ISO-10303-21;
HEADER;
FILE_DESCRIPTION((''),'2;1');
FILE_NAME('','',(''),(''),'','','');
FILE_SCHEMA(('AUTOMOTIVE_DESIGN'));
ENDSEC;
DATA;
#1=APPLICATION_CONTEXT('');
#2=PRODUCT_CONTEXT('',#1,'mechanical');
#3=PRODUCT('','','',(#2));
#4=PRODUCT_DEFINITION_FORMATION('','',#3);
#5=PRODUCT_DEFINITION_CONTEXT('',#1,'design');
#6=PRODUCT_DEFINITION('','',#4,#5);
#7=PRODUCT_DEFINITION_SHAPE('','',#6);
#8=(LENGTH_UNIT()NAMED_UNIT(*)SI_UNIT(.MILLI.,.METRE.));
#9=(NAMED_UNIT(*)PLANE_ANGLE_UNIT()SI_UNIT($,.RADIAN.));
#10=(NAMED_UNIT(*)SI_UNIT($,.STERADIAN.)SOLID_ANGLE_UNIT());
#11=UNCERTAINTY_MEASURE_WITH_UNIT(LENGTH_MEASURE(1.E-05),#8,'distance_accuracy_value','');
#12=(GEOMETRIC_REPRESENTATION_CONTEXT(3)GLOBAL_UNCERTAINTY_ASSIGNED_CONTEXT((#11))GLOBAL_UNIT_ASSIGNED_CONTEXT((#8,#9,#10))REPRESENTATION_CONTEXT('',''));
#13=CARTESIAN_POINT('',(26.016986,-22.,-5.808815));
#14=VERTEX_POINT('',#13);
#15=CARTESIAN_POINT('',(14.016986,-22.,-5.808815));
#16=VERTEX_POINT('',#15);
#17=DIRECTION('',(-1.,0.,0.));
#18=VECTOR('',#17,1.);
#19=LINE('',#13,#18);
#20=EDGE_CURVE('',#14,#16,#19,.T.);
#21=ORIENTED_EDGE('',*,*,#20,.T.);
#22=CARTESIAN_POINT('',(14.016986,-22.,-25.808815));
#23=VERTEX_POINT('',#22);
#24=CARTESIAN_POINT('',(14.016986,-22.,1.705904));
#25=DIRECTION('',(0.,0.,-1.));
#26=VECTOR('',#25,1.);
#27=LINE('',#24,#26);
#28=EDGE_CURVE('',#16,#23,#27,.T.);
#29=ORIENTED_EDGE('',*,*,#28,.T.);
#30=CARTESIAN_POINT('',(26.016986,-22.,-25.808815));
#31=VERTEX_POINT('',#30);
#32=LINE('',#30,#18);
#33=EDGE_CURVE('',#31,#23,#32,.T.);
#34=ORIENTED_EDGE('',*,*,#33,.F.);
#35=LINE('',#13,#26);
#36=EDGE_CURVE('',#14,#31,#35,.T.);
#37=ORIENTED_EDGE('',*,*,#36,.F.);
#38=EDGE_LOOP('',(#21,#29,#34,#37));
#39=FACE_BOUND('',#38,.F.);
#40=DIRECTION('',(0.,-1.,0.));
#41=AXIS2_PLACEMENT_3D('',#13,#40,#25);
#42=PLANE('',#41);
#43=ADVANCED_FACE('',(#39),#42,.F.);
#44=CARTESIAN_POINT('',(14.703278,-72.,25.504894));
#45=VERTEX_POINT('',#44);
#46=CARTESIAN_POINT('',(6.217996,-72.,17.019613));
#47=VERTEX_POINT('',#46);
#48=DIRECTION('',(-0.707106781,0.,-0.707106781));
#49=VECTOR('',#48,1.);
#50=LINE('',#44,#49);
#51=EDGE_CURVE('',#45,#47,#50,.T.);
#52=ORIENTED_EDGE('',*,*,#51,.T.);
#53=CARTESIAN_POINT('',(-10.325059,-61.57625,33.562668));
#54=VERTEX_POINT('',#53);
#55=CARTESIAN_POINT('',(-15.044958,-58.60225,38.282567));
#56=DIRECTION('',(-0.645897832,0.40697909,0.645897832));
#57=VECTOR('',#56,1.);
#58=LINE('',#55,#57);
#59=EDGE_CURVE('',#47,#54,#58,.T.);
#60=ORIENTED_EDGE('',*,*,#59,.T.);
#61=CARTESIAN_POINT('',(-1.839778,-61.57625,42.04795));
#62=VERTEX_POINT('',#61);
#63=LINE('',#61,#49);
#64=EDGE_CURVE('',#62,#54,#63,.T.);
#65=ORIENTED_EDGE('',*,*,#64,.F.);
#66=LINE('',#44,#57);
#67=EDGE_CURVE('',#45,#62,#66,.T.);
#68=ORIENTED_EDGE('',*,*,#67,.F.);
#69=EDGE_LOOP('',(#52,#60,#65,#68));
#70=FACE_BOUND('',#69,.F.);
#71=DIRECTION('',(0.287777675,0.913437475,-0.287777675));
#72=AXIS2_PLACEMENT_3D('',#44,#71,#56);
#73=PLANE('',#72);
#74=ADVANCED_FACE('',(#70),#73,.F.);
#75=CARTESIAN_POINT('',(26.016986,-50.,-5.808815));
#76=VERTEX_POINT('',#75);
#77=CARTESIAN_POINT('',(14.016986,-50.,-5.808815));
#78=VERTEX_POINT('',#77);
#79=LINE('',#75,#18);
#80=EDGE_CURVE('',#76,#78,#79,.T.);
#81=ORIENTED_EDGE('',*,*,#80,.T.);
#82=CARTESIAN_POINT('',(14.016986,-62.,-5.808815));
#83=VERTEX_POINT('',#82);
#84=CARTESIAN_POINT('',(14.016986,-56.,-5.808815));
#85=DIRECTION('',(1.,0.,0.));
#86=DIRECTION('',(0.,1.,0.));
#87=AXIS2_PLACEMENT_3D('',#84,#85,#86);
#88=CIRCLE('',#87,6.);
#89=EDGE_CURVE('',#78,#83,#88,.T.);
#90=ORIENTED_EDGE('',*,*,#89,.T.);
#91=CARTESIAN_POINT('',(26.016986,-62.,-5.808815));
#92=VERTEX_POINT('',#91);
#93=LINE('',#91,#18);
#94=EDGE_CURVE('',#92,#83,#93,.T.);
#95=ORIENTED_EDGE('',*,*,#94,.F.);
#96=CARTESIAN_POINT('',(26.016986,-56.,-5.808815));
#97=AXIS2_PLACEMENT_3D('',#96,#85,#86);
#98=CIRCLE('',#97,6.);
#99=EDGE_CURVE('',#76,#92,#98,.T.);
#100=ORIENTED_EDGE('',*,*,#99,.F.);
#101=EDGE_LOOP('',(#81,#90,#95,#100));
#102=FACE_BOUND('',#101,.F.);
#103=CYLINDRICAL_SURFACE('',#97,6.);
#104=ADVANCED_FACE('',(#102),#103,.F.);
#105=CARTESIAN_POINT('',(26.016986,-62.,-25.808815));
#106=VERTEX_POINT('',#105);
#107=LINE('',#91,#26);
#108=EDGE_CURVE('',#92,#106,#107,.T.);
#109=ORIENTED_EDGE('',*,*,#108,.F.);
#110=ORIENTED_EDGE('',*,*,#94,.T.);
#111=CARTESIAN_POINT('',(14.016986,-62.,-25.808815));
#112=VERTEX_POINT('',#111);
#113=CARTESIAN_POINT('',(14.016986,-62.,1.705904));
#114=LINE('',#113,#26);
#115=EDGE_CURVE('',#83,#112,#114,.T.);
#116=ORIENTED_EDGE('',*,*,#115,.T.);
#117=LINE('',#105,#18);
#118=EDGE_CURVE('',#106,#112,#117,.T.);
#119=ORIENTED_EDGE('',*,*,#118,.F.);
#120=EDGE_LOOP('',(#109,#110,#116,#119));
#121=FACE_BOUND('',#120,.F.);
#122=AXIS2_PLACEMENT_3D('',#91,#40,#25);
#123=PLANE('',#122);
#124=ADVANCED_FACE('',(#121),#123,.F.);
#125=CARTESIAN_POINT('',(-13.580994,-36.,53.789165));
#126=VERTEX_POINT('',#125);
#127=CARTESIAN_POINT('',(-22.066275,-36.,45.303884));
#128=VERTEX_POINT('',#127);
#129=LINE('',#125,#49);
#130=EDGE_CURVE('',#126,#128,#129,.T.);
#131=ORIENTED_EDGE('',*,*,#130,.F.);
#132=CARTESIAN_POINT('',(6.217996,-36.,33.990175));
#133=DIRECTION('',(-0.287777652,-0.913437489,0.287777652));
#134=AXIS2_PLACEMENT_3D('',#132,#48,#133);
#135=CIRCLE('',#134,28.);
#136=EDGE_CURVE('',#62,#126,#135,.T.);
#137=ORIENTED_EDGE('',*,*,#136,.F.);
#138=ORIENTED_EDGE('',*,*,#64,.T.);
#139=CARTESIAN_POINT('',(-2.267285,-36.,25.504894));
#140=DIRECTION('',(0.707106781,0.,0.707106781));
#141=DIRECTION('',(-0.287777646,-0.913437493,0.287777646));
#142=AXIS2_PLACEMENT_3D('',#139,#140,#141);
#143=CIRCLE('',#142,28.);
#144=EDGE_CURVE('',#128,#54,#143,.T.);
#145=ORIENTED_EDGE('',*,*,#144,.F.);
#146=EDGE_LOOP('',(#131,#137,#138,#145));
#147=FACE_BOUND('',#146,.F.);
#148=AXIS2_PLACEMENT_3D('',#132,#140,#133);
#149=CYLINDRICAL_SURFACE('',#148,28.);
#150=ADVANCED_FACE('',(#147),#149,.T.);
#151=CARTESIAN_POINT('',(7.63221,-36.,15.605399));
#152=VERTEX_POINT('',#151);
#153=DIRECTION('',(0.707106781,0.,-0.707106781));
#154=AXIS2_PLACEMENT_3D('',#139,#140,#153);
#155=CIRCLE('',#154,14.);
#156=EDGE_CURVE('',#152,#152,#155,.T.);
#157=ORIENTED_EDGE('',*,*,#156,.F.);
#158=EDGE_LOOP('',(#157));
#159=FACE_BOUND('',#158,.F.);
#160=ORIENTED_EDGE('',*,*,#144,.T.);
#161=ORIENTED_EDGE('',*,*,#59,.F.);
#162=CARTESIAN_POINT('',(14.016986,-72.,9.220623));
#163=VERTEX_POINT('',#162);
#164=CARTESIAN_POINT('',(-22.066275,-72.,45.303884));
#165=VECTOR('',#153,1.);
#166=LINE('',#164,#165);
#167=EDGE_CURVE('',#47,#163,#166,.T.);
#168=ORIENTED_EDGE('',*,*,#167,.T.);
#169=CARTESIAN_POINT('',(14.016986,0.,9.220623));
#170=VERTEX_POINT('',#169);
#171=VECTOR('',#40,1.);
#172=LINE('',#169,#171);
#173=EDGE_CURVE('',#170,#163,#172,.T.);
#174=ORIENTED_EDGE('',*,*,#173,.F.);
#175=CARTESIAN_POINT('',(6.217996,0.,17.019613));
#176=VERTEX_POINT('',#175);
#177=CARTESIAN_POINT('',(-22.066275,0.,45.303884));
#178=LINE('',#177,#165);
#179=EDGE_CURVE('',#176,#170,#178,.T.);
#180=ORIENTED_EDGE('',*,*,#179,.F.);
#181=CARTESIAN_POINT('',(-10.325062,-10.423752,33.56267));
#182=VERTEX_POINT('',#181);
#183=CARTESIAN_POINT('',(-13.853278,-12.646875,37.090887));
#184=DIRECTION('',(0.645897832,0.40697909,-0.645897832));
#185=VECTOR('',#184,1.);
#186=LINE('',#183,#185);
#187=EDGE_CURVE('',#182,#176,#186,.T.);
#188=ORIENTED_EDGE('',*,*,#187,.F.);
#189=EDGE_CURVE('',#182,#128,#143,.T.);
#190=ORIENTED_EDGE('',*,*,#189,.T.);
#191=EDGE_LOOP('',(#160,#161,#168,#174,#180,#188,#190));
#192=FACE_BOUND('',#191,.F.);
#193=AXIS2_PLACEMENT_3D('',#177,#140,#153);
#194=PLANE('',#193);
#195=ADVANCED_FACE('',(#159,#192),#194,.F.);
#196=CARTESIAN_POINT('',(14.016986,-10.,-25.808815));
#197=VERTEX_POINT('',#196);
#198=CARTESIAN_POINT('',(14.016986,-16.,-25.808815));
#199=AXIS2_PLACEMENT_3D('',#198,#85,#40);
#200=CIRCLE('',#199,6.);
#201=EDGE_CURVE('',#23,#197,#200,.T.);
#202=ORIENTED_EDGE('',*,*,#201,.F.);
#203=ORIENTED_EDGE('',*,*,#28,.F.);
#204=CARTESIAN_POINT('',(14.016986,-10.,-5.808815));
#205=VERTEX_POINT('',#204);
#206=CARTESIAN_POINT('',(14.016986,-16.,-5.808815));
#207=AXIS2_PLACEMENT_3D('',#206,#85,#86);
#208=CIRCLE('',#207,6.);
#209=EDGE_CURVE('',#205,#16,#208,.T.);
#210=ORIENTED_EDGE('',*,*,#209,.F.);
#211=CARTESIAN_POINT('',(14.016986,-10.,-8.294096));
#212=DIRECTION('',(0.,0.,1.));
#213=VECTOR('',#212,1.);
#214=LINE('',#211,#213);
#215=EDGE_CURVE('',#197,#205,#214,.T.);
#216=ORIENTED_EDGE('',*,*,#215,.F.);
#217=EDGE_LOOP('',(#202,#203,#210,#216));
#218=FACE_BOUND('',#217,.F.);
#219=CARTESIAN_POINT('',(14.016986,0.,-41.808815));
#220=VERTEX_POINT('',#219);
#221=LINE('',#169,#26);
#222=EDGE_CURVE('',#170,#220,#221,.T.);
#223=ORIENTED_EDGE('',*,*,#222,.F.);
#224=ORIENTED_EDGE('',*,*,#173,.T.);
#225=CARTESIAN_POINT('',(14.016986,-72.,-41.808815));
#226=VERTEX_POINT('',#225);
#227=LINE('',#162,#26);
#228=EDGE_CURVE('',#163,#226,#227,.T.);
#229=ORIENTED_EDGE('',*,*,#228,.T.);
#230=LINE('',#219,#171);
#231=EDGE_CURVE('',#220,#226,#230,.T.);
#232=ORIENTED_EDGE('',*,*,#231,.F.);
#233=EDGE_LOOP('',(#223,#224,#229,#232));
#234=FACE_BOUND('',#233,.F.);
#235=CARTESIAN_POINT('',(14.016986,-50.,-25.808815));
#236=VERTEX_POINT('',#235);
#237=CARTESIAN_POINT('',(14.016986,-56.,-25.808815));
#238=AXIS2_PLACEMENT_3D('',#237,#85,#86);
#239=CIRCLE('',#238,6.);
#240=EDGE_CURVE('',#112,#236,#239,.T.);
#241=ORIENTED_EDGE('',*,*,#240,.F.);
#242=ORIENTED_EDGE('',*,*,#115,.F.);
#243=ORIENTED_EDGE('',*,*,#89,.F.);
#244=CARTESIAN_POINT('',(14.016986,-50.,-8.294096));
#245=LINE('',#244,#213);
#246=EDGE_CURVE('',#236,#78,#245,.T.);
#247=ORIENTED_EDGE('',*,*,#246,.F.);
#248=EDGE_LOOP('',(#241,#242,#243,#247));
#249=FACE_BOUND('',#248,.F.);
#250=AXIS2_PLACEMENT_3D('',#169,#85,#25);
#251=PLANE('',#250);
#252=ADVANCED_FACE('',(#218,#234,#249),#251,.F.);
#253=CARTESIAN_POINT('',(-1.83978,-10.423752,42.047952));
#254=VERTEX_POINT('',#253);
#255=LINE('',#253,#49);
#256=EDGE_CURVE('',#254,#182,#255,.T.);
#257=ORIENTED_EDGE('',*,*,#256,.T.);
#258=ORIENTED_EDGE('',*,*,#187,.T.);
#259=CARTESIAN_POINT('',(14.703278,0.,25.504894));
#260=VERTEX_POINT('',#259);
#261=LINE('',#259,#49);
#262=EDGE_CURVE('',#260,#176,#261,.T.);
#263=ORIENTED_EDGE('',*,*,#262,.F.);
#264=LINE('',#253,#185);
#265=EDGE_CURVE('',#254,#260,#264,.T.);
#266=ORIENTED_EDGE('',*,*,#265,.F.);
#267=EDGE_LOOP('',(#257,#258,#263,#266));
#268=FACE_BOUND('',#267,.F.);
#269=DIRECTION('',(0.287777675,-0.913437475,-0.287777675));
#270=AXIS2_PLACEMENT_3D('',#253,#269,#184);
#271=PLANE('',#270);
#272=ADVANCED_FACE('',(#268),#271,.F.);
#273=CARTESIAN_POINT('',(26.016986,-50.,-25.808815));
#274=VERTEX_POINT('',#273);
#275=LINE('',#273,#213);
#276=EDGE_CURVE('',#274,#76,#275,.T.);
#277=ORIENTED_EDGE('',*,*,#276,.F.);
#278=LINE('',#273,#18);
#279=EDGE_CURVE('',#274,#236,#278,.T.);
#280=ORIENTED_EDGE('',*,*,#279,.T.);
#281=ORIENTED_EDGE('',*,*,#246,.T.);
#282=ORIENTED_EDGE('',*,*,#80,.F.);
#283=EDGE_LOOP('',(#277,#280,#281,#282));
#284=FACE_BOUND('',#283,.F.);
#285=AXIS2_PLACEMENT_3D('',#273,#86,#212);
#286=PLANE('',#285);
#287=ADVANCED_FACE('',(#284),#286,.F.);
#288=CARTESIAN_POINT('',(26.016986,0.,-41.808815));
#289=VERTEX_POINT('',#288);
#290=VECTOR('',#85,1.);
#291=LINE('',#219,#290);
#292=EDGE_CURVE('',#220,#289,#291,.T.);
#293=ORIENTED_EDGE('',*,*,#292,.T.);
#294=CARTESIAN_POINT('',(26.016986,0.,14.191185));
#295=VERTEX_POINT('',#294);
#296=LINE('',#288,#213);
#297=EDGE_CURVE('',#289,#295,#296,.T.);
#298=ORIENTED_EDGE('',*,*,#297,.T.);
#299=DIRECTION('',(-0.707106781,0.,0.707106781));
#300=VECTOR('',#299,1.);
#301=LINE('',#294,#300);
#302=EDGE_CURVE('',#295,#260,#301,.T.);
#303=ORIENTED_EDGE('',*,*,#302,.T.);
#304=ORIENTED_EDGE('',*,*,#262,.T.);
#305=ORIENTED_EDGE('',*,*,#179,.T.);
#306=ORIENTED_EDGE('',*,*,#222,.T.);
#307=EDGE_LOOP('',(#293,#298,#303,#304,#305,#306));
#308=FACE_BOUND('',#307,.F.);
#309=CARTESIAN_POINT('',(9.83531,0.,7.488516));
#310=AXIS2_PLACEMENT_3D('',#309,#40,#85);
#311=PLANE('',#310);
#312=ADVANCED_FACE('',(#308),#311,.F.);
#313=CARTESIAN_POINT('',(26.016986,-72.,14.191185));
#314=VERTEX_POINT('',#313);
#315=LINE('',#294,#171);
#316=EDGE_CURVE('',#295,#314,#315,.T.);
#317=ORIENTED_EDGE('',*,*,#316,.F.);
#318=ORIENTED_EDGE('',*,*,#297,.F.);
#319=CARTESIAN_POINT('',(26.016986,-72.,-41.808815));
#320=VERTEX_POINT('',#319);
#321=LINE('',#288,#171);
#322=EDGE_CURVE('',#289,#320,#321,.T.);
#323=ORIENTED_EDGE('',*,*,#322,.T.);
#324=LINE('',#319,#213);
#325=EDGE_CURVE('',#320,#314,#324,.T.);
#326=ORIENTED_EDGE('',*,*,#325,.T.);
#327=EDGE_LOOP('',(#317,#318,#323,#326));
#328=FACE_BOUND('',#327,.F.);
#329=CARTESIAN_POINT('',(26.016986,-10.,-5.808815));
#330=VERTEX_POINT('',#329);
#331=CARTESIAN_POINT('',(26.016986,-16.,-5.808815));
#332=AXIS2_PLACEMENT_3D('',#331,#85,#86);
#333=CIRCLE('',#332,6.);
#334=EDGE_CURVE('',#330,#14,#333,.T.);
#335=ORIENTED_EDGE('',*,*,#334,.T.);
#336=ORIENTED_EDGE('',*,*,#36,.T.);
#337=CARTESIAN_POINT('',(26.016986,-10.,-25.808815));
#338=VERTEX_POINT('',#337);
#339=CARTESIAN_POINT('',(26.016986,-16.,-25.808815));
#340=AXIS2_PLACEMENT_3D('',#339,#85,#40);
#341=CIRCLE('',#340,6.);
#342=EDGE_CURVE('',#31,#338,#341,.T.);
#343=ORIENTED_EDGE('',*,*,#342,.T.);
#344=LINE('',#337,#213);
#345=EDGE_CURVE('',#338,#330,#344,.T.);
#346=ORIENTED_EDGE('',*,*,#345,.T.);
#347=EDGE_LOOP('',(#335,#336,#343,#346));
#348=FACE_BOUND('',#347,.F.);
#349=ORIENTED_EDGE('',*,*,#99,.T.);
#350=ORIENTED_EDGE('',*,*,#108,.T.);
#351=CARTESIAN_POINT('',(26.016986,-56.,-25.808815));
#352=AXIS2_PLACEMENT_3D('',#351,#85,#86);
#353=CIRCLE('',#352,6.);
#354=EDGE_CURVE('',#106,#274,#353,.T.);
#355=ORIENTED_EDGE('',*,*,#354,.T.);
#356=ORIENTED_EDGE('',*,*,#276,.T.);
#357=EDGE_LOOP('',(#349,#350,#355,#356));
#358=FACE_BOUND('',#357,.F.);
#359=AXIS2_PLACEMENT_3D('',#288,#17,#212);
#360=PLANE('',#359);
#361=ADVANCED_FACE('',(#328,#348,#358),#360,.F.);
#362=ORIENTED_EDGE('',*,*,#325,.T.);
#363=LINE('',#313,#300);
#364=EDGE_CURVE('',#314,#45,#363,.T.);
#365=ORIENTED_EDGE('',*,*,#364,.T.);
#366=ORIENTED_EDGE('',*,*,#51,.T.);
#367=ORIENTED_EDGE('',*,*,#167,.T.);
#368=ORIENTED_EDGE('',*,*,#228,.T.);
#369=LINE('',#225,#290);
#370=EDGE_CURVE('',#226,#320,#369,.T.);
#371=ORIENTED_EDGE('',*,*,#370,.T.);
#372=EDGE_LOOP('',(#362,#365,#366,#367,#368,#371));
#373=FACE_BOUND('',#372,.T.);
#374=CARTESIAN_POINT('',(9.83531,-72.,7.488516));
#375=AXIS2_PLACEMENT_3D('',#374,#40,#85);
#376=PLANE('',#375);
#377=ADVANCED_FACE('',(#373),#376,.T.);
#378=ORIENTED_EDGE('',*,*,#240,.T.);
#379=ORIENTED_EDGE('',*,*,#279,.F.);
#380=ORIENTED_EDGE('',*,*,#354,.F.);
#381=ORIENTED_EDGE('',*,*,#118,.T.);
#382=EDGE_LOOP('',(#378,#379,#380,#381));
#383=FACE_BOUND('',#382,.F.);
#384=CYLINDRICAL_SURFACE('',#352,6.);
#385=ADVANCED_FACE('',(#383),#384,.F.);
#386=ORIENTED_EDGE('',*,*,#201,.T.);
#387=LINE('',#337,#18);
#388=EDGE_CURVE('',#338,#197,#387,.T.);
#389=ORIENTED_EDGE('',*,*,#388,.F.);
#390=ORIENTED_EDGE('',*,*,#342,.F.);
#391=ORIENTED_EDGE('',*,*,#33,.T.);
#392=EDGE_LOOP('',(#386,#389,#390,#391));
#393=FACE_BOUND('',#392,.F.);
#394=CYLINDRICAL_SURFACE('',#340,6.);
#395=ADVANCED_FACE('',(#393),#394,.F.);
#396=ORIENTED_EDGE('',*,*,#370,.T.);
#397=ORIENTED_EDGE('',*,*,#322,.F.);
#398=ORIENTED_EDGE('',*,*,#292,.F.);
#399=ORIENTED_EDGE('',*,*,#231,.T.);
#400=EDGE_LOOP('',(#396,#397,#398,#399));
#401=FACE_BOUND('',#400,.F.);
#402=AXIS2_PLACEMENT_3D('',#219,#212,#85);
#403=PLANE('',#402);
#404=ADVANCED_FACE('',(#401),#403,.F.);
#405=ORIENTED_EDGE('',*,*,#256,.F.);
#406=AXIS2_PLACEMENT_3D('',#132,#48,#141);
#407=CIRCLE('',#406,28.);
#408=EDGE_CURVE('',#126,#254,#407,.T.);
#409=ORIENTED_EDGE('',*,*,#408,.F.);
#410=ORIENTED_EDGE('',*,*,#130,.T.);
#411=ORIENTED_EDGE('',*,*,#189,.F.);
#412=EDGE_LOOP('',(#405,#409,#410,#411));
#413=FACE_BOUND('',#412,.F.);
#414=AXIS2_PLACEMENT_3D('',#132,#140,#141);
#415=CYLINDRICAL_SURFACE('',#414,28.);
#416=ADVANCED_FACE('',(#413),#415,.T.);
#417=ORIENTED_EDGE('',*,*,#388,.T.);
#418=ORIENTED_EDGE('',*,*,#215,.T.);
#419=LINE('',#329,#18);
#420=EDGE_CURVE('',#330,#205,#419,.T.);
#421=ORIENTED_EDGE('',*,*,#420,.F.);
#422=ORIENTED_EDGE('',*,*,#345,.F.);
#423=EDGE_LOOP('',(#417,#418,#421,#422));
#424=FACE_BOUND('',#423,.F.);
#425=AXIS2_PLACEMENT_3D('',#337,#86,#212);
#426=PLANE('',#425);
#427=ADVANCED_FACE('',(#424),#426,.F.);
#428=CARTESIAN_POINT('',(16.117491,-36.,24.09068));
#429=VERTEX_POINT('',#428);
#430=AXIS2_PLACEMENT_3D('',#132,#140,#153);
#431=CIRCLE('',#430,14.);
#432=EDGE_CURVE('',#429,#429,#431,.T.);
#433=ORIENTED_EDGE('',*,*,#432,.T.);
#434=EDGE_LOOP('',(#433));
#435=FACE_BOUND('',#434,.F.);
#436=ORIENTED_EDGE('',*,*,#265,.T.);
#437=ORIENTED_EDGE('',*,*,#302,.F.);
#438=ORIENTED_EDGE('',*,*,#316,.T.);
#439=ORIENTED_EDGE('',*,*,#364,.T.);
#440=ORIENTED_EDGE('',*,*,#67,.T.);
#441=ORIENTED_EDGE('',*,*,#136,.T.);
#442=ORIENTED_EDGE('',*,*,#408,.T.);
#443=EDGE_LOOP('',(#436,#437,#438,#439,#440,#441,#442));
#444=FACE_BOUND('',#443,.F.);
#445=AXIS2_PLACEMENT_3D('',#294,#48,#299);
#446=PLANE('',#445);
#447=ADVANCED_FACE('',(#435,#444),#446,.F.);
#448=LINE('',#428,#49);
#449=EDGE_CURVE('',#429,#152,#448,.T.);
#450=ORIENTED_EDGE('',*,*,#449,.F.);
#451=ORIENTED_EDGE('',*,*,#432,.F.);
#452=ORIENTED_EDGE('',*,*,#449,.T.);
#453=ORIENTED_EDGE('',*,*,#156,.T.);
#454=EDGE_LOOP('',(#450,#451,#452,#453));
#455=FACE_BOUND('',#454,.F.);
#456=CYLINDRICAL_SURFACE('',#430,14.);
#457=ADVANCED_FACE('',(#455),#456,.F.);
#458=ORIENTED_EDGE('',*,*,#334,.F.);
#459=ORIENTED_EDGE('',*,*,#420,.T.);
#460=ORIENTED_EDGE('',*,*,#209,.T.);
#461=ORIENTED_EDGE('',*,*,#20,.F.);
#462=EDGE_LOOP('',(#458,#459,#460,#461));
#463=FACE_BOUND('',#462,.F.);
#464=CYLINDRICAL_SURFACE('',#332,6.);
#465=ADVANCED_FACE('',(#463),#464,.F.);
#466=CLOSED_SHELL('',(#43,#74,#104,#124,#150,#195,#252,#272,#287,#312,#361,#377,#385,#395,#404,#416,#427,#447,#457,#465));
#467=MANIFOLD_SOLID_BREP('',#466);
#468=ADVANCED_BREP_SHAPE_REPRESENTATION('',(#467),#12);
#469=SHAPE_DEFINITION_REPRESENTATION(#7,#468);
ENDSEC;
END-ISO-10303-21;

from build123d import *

# Parameters (mm, degrees)
F1_DEPTH = 72
F2_R     = 14
F3_DEPTH = 25
F6_DEPTH = 25
F8_DEPTH = 25


with BuildPart() as f1:
    # F0 (on Front) → F1 (new body)
    with BuildSketch(Plane.XZ):
        Polygon((26.0169860537, -41.8088145156), (26.0169860537, 14.1911854844), (-13.5809936927, 53.7891652309), (-22.066275067, 45.3038838566), (14.0169860537, 9.2206227359), (14.0169860537, -41.8088145156), align=None)
    extrude(amount=F1_DEPTH)

    # F2 (on face) → F3 (cut)
    with BuildSketch(Plane(origin=(20.1040857691, 0, 20.1040857691), x_dir=(0.7071067812, 0, -0.7071067812), z_dir=(0.7071067812, 0, 0.7071067812))):
        with Locations((-19.6378962245, -36)):
            Circle(F2_R)
    extrude(amount=-F3_DEPTH, mode=Mode.SUBTRACT)

    # F5 (on face) + F4 (on face) → F6 (cut)
    with BuildSketch(Plane(origin=(20.1040857691, 0, 20.1040857691), x_dir=(0.7071067812, 0, -0.7071067812), z_dir=(0.7071067812, 0, 0.7071067812))):
        Polygon((-47.6378962245, -17.821869662), (-31.0333128979, -10.4237516661), (-7.6378962245, 0), (-47.6378962245, 0), align=None)
        Polygon((-47.6378962245, -72), (-7.6378962245, -72), (-31.0333098725, -61.5762496819), (-47.6378962245, -54.178130338), align=None)
        with BuildLine():
            Line((-47.6378962245, -54.178130338), (-31.0333098725, -61.5762496819))
            ThreePointArc((-31.0333098725, -61.5762496819), (-43.1226953736, -51.2467770013), (-47.6378962245, -36))
            Line((-47.6378962245, -36), (-47.6378962245, -54.178130338))
        make_face()
    with BuildSketch(Plane(origin=(20.1040857691, 0, 20.1040857691), x_dir=(0.7071067812, 0, -0.7071067812), z_dir=(0.7071067812, 0, 0.7071067812))):
        with BuildLine():
            Line((-31.0333129323, -10.4237516814), (-88.4374995943, -36))
            Line((-88.4374995943, -36), (-31.0333096209, -61.576249794))
            ThreePointArc((-31.0333096209, -61.576249794), (-43.1226952986, -51.2467771168), (-47.6378962245, -36))
            ThreePointArc((-47.6378962245, -36), (-43.1226962856, -20.7532244035), (-31.0333129323, -10.4237516814))
        make_face()
    extrude(amount=-F6_DEPTH, mode=Mode.SUBTRACT)

    # F7 (on face) → F8 (cut)
    with BuildSketch(Plane.YZ.offset(26.0169860537)):
        with BuildLine():
            ThreePointArc((-62, -25.8088145156), (-56, -31.8088145156), (-50, -25.8088145156))
            ThreePointArc((-50, -25.8088145156), (-56, -19.8088145156), (-62, -25.8088145156))
        make_face()
        with BuildLine():
            ThreePointArc((-62, -25.8088145156), (-56, -19.8088145156), (-50, -25.8088145156))
            Line((-50, -25.8088145156), (-50, -5.8088145156))
            ThreePointArc((-50, -5.8088145156), (-56, -11.8088145156), (-62, -5.8088145156))
            Line((-62, -5.8088145156), (-62, -25.8088145156))
        make_face()
        with BuildLine():
            ThreePointArc((-62, -5.8088145156), (-56, -11.8088145156), (-50, -5.8088145156))
            ThreePointArc((-50, -5.8088145156), (-56, 0.1911854844), (-62, -5.8088145156))
        make_face()
        with BuildLine():
            Line((-22, -25.8088145156), (-10, -25.8088145156))
            ThreePointArc((-10, -25.8088145156), (-16, -19.8088145156), (-22, -25.8088145156))
        make_face()
        with BuildLine():
            ThreePointArc((-22, -25.8088145156), (-16, -31.8088145156), (-10, -25.8088145156))
            Line((-10, -25.8088145156), (-22, -25.8088145156))
        make_face()
        with BuildLine():
            ThreePointArc((-22, -25.8088145156), (-16, -19.8088145156), (-10, -25.8088145156))
            Line((-10, -25.8088145156), (-10, -5.8088145156))
            ThreePointArc((-10, -5.8088145156), (-16, -11.8088145156), (-22, -5.8088145156))
            Line((-22, -5.8088145156), (-22, -25.8088145156))
        make_face()
        with BuildLine():
            ThreePointArc((-22, -5.8088145156), (-16, -11.8088145156), (-10, -5.8088145156))
            ThreePointArc((-10, -5.8088145156), (-16, 0.1911854844), (-22, -5.8088145156))
        make_face()
    extrude(amount=-F8_DEPTH, mode=Mode.SUBTRACT)


solid = f1.part
